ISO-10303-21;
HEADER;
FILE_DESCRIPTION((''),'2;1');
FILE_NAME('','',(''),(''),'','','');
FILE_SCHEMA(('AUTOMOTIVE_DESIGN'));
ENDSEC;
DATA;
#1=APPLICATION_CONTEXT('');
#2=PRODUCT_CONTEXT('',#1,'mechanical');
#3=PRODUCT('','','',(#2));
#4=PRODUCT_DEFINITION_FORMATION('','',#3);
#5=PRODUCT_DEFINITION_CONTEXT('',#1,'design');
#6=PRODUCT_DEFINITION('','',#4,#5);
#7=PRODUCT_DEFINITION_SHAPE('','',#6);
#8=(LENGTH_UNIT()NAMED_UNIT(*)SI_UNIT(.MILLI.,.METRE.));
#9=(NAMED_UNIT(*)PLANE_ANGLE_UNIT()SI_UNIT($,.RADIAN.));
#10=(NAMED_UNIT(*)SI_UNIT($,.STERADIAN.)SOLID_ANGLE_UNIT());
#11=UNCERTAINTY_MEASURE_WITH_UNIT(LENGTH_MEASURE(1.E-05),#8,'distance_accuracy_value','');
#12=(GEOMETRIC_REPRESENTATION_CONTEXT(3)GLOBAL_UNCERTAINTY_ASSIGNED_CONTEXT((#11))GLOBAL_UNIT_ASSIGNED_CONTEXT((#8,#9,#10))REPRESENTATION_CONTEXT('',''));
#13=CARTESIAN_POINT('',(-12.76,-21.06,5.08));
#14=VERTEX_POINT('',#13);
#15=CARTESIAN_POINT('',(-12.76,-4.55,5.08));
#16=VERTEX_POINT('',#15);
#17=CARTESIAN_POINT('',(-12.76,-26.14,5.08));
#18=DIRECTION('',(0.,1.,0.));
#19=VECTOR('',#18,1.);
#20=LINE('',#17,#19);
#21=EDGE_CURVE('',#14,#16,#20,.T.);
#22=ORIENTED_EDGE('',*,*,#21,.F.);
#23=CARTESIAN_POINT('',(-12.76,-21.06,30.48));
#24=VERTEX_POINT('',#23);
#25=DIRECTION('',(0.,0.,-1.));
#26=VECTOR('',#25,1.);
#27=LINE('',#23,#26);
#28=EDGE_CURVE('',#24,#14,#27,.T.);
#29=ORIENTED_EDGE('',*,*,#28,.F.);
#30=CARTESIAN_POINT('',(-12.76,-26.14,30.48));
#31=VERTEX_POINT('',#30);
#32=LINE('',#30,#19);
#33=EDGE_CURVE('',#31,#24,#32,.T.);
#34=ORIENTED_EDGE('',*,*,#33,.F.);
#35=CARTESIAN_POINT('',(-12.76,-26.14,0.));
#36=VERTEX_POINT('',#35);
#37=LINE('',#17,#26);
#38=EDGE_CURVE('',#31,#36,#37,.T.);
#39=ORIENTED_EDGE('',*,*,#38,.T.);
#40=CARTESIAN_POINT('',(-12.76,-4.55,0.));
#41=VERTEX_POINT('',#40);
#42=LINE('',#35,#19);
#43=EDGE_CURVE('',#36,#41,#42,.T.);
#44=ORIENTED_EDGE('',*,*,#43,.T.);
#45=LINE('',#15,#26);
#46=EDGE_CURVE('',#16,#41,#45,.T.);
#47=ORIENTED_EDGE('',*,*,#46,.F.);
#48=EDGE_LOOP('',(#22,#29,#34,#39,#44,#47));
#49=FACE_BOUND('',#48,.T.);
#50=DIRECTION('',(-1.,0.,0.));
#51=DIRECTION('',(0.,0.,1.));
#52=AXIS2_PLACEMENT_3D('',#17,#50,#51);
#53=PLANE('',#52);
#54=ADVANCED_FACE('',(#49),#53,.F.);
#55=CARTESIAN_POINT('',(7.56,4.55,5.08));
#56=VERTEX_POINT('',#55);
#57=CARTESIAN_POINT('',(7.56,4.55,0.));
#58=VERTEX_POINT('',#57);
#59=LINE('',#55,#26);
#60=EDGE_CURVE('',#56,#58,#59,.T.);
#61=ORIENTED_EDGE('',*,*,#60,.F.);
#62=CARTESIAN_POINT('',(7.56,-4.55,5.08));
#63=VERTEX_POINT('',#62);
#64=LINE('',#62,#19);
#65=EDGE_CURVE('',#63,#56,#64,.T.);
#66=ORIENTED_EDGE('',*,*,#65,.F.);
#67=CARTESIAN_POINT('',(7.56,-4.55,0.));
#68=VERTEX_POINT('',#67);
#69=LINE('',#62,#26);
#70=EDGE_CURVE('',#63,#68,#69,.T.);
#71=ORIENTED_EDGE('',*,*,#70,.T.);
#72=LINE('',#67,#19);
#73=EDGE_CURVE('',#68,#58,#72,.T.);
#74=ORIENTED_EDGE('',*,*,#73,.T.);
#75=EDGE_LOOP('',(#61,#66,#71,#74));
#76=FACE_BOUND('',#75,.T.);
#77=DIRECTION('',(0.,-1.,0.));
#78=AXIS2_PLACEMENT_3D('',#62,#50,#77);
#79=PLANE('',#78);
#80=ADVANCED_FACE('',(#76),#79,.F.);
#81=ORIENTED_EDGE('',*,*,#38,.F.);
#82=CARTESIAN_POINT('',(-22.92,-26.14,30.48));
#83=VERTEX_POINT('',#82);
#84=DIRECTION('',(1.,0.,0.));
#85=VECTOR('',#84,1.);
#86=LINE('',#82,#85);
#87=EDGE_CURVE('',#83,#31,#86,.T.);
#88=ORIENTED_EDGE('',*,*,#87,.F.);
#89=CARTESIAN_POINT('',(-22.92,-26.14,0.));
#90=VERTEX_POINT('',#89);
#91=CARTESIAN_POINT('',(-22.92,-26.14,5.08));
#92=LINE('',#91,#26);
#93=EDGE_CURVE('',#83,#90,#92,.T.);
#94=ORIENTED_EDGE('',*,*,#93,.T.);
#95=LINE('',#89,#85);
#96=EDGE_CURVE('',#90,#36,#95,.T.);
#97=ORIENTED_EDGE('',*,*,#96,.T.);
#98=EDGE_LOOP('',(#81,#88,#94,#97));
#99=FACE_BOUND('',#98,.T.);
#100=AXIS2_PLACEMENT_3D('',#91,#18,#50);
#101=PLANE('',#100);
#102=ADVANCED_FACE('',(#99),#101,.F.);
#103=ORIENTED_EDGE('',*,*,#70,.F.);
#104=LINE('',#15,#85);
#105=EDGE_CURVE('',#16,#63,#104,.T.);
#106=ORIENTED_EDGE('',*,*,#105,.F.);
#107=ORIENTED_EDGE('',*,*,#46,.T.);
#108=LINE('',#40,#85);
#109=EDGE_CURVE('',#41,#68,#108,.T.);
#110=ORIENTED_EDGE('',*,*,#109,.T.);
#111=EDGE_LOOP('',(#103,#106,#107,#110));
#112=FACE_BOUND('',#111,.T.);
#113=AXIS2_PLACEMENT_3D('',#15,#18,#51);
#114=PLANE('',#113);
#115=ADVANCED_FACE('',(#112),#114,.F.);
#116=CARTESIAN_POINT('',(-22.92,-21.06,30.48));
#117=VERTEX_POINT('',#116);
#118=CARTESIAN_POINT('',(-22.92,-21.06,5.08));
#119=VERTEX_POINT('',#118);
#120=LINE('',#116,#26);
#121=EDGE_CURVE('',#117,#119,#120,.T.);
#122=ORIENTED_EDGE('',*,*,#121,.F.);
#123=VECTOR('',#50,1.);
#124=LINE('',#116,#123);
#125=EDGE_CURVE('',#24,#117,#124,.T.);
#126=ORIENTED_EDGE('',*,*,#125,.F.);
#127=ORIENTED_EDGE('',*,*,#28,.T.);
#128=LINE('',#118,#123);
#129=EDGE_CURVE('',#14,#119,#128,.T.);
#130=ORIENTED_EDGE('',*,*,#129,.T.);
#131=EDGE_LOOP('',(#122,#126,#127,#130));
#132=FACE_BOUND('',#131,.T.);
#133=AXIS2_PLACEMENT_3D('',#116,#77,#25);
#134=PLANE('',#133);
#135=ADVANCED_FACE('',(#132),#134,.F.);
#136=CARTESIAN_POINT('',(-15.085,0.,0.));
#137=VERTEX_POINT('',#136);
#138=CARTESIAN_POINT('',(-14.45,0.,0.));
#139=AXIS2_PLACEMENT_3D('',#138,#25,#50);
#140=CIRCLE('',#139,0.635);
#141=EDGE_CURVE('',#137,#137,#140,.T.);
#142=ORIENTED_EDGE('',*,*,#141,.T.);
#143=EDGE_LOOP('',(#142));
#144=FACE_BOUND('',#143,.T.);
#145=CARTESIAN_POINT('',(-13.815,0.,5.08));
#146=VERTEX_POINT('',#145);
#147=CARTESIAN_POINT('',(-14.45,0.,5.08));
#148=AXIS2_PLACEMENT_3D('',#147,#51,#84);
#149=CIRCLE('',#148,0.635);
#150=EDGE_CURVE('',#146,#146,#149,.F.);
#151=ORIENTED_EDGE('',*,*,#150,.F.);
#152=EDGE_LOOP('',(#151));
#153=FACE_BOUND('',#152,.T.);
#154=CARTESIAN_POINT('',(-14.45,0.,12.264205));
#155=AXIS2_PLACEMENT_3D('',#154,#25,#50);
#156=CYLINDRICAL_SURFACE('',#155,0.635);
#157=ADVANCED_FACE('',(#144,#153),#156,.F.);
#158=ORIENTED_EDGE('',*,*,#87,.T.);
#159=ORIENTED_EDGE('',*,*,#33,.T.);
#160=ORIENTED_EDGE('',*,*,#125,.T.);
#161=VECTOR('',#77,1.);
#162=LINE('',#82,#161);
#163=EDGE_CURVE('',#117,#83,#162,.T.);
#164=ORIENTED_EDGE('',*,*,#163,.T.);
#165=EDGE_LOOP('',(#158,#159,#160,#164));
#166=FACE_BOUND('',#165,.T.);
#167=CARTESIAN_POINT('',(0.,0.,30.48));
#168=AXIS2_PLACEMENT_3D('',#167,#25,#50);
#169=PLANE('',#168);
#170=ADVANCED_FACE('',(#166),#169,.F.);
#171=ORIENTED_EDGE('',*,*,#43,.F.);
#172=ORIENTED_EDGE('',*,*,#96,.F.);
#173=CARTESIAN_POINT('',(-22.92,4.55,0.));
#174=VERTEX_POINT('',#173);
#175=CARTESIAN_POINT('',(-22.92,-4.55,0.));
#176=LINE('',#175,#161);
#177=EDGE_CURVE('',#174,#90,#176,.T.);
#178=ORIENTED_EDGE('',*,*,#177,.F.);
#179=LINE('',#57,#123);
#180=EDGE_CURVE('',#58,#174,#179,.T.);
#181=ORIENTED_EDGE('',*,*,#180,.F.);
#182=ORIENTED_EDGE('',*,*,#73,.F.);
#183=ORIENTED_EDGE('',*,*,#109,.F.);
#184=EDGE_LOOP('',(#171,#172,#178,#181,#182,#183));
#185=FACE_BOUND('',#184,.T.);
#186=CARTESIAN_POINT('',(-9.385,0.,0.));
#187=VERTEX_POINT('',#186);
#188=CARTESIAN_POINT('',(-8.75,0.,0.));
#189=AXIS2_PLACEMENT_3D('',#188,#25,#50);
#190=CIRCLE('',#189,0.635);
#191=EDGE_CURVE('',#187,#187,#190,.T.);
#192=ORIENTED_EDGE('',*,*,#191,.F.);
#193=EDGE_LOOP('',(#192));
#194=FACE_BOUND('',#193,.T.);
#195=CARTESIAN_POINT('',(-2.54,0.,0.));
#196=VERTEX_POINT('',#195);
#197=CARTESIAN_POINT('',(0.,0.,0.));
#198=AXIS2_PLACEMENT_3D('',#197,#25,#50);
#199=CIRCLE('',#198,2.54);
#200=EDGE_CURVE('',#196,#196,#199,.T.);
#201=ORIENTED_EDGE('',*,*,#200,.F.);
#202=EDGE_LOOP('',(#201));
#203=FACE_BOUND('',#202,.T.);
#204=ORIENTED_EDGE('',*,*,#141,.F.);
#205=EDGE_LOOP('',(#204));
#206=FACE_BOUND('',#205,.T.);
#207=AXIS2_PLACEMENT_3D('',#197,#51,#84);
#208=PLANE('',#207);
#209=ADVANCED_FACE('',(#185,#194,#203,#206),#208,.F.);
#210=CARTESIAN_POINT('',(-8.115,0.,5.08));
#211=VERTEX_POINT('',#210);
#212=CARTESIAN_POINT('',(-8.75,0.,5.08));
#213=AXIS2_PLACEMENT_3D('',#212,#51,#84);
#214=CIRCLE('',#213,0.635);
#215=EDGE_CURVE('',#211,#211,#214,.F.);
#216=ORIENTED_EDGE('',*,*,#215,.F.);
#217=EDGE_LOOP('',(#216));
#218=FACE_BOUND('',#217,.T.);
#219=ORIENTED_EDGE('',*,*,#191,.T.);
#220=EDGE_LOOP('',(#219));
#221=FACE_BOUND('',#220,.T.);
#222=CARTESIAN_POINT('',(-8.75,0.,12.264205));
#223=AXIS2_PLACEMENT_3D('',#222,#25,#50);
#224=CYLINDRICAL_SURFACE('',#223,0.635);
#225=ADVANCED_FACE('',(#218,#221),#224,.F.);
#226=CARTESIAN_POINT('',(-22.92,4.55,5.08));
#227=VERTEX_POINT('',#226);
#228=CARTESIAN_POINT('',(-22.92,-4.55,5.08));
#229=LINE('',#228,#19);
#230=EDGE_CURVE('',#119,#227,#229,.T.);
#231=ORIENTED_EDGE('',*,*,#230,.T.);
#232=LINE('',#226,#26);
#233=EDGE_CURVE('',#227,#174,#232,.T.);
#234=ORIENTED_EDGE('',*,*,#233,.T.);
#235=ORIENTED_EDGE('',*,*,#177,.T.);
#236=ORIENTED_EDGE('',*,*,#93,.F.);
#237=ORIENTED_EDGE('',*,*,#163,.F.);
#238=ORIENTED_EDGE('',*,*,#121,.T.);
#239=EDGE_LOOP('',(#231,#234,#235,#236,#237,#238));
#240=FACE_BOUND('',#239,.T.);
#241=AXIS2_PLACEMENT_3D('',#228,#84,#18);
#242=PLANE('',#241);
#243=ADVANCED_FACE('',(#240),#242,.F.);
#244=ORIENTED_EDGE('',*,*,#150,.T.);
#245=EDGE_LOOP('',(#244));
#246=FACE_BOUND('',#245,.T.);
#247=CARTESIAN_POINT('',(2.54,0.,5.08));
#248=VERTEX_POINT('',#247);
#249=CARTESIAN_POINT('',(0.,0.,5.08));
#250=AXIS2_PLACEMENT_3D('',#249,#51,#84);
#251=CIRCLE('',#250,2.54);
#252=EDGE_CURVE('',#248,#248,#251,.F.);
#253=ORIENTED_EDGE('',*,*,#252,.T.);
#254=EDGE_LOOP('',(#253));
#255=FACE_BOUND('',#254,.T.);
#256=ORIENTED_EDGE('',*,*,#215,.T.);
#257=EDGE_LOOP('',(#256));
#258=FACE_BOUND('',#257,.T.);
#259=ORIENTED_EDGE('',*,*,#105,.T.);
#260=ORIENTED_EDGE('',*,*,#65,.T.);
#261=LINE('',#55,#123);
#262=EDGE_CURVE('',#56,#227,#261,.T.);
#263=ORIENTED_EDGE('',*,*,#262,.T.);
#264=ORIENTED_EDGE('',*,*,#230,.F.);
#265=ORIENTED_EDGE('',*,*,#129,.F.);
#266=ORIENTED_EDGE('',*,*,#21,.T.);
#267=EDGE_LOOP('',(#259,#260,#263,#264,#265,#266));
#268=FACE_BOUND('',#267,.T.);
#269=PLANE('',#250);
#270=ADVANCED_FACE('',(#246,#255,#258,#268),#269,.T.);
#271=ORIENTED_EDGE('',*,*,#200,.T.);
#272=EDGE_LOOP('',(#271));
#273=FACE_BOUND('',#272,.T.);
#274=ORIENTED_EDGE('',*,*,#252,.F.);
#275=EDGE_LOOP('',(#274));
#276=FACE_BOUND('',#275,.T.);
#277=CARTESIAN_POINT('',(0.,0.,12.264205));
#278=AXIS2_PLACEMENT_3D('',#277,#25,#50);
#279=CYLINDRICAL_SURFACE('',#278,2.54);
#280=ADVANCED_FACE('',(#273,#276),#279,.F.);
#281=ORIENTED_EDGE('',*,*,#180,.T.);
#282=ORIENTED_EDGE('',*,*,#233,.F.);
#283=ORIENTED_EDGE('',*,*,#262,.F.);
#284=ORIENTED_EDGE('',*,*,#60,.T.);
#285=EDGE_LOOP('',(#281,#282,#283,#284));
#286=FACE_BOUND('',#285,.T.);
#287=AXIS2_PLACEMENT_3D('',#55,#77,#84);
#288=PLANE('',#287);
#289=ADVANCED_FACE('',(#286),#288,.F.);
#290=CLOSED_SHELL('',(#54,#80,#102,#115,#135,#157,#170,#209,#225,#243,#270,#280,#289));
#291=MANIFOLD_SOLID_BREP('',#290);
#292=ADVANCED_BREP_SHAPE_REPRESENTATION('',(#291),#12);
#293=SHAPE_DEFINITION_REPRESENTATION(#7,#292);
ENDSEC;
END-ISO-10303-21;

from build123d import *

# Parameters (mm, degrees)
BOSS_EXTRUDE1_DEPTH = 5.08
SKETCH4_W           = 10.16
SKETCH4_H           = 5.08
BOSS_EXTRUDE2_DEPTH = 25.4
SKETCH2_R           = 0.635
SKETCH2_R_2         = 2.54
CUT_EXTRUDE1_DEPTH  = 5.08


with BuildPart() as part:
    # Sketch1 → Boss-Extrude1 (new body)
    with BuildSketch(Plane.XY):
        Polygon((-22.92, -4.55), (-22.92, -26.14), (-12.76, -26.14), (-12.76, -4.55), (7.56, -4.55), (7.56, 4.55), (-22.92, 4.55), align=None)
    extrude(amount=BOSS_EXTRUDE1_DEPTH)

    # Sketch4 → Boss-Extrude2 (add)
    with BuildSketch(Plane.XY.offset(5.08)):
        with Locations((-17.84, -23.6)):
            Rectangle(SKETCH4_W, SKETCH4_H)
    extrude(amount=BOSS_EXTRUDE2_DEPTH)

    # Sketch2 → Cut-Extrude1 (cut)
    with BuildSketch(Plane(origin=(0, 0, 0), x_dir=(-1, 0, 0), z_dir=(0, 0, -1))):
        with Locations((14.45, 0)):
            Circle(SKETCH2_R)
        Circle(SKETCH2_R_2)
        with Locations((8.75, 0)):
            Circle(SKETCH2_R)
    extrude(amount=-CUT_EXTRUDE1_DEPTH, mode=Mode.SUBTRACT)


solid = part.part
